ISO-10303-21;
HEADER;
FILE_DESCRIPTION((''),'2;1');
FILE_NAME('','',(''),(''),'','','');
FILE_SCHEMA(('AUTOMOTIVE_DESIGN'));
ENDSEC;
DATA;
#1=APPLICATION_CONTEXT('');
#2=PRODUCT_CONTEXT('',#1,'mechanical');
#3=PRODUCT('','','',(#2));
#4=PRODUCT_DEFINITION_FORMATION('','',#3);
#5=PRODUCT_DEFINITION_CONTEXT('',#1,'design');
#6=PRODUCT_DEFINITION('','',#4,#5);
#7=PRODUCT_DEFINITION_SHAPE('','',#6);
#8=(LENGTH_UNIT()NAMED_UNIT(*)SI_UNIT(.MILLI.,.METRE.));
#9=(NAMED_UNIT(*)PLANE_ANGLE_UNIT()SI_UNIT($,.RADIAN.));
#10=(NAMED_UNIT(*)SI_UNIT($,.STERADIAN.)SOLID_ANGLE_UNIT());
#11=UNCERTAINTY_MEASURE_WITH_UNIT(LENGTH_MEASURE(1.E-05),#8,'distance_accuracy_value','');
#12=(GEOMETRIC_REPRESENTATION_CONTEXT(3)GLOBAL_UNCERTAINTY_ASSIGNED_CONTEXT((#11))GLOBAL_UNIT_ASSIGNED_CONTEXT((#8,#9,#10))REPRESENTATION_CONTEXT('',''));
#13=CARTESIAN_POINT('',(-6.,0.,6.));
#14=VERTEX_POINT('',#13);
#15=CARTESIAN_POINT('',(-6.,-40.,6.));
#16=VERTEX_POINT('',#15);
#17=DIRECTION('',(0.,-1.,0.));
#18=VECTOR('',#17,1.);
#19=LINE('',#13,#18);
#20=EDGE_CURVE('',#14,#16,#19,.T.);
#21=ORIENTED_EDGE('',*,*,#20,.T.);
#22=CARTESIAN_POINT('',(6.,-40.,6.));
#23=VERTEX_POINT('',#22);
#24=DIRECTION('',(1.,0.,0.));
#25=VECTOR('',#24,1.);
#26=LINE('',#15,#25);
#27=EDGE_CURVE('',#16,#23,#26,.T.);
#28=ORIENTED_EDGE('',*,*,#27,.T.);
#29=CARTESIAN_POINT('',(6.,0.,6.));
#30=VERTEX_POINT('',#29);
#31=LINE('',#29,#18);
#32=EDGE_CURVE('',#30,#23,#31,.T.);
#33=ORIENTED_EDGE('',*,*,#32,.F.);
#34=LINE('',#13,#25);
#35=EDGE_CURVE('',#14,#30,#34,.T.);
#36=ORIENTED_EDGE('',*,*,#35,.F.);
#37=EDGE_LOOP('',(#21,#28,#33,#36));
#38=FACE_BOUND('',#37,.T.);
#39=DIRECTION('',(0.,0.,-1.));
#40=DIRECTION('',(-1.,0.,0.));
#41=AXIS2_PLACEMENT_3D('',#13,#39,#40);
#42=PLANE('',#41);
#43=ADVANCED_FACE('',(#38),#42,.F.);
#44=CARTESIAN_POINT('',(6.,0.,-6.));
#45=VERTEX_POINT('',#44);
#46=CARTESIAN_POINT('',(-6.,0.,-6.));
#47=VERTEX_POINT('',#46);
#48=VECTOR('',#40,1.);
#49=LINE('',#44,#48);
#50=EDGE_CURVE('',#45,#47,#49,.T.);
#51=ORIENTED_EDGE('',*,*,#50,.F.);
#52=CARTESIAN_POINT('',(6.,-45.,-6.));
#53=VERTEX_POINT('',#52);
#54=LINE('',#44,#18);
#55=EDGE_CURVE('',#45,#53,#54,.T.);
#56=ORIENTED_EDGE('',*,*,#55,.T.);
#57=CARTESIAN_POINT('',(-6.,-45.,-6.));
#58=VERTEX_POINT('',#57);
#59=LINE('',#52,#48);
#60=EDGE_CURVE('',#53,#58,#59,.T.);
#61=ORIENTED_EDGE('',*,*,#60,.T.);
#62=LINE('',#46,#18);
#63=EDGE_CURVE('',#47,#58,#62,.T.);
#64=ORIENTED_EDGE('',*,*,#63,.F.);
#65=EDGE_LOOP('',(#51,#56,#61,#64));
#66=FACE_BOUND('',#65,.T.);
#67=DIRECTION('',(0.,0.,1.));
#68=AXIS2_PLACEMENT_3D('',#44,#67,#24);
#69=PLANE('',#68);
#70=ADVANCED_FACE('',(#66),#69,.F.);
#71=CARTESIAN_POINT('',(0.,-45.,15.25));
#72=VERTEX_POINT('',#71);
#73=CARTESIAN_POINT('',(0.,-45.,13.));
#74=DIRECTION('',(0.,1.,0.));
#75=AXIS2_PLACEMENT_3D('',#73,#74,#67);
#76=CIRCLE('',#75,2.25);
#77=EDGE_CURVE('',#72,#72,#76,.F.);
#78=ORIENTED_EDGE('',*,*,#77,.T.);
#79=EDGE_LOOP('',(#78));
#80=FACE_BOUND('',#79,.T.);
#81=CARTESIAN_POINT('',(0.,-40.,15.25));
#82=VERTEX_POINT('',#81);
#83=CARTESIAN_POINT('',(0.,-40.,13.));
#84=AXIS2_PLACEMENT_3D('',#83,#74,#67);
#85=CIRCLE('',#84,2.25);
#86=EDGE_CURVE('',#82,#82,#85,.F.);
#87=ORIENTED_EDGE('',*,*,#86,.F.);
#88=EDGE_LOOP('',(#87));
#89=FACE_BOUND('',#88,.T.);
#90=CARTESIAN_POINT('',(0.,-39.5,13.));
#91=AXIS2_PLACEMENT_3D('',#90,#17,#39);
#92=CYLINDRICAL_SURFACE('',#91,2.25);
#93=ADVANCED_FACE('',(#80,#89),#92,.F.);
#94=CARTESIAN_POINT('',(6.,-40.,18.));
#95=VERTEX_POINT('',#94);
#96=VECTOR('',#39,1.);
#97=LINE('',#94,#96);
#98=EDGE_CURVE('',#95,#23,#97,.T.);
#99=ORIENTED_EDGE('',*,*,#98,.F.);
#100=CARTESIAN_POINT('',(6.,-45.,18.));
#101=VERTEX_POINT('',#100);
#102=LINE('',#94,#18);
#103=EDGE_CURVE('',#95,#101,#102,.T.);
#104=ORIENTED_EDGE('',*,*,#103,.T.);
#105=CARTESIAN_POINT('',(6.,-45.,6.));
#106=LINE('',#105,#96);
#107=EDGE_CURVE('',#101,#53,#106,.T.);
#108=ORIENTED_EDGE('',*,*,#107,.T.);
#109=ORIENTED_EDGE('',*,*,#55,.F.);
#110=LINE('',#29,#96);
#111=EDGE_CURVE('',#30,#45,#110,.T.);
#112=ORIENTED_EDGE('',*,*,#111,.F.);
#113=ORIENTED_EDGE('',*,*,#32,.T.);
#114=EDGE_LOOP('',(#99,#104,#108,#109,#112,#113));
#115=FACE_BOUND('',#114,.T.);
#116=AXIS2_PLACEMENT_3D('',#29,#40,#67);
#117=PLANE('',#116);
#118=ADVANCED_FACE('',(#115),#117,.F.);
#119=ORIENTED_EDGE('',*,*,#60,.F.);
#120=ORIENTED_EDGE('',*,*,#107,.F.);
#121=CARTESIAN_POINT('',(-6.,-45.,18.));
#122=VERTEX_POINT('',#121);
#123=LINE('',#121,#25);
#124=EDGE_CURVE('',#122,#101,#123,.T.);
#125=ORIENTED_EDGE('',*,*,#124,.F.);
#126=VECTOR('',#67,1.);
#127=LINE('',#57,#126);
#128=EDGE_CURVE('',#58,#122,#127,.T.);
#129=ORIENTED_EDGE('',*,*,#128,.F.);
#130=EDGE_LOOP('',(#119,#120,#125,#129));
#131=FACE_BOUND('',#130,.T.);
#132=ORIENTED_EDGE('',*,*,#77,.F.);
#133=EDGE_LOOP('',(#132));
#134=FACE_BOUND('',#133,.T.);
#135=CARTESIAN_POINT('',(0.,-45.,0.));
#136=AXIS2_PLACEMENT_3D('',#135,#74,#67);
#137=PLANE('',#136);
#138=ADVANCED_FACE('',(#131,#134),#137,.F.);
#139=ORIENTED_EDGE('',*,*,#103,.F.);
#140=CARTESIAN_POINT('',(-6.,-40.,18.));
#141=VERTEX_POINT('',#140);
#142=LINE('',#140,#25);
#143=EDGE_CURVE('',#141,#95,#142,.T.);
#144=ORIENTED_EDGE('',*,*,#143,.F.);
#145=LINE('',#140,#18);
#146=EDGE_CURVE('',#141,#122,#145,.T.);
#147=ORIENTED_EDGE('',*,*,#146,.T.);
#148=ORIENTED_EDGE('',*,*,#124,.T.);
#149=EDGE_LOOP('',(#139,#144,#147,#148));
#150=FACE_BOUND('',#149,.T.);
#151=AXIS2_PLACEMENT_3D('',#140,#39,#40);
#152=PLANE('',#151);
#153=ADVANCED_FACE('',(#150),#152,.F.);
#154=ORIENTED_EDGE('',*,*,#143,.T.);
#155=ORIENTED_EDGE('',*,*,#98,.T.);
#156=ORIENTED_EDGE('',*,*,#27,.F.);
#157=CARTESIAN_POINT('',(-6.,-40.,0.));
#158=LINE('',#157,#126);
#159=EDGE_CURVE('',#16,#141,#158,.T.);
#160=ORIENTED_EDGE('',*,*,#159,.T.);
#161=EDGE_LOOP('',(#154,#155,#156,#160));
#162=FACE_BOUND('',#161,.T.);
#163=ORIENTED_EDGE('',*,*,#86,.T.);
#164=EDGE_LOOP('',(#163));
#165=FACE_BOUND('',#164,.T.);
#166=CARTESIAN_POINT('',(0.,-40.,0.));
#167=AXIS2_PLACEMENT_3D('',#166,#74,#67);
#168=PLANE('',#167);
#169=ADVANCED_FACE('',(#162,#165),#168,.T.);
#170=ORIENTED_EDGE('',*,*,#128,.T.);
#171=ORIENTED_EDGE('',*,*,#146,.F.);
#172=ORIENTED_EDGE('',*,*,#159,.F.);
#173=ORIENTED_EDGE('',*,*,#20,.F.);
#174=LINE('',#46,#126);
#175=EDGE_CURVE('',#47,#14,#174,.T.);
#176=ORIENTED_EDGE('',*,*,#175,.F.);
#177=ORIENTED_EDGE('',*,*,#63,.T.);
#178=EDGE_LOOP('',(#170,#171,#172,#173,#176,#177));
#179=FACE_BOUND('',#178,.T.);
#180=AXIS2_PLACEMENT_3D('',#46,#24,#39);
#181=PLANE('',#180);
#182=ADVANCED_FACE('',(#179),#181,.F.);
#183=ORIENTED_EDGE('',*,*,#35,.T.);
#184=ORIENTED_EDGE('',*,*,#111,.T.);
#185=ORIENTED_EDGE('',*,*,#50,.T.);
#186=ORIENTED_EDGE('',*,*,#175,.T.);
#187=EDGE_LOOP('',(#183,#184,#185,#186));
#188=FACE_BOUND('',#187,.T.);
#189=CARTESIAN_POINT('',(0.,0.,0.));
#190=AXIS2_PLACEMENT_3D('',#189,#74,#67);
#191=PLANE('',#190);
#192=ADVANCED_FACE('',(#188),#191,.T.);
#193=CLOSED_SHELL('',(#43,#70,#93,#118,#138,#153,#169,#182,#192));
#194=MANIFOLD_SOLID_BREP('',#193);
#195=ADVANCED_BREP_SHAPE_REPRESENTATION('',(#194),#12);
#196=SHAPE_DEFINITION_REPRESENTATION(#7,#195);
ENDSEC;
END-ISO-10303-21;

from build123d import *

# Parameters (mm, degrees)
LEG_START          = -45
SKETCH1_W          = 12
SKETCH1_H          = 12
LEG_DEPTH          = 45
FOOT_PAD_START     = -45
SKETCH2_W          = 12
SKETCH2_H          = 18
FOOT_PAD_DEPTH     = 5
FOOT_HOLE_M4_START = -45.5
SKETCH3_R          = 2.25
FOOT_HOLE_M4_DEPTH = 6


with BuildPart() as part:
    # Sketch1 → Leg (new body)
    with BuildSketch(Plane(origin=(0, 0, 0), x_dir=(1, 0, 0), z_dir=(0, 1, 0)).offset(LEG_START)):
        Rectangle(SKETCH1_W, SKETCH1_H)
    extrude(amount=LEG_DEPTH)

    # Sketch2 → Foot_Pad (add)
    with BuildSketch(Plane(origin=(0, 0, 0), x_dir=(1, 0, 0), z_dir=(0, 1, 0)).offset(FOOT_PAD_START)):
        with Locations((0, -9)):
            Rectangle(SKETCH2_W, SKETCH2_H)
    extrude(amount=FOOT_PAD_DEPTH)

    # Sketch3 → Foot_Hole_M4 (cut)
    with BuildSketch(Plane(origin=(0, 0, 0), x_dir=(1, 0, 0), z_dir=(0, 1, 0)).offset(FOOT_HOLE_M4_START)):
        with Locations(Location((0, -13, 0), (0, 0, 270))):
            Circle(SKETCH3_R)
    extrude(amount=FOOT_HOLE_M4_DEPTH, mode=Mode.SUBTRACT)


solid = part.part
